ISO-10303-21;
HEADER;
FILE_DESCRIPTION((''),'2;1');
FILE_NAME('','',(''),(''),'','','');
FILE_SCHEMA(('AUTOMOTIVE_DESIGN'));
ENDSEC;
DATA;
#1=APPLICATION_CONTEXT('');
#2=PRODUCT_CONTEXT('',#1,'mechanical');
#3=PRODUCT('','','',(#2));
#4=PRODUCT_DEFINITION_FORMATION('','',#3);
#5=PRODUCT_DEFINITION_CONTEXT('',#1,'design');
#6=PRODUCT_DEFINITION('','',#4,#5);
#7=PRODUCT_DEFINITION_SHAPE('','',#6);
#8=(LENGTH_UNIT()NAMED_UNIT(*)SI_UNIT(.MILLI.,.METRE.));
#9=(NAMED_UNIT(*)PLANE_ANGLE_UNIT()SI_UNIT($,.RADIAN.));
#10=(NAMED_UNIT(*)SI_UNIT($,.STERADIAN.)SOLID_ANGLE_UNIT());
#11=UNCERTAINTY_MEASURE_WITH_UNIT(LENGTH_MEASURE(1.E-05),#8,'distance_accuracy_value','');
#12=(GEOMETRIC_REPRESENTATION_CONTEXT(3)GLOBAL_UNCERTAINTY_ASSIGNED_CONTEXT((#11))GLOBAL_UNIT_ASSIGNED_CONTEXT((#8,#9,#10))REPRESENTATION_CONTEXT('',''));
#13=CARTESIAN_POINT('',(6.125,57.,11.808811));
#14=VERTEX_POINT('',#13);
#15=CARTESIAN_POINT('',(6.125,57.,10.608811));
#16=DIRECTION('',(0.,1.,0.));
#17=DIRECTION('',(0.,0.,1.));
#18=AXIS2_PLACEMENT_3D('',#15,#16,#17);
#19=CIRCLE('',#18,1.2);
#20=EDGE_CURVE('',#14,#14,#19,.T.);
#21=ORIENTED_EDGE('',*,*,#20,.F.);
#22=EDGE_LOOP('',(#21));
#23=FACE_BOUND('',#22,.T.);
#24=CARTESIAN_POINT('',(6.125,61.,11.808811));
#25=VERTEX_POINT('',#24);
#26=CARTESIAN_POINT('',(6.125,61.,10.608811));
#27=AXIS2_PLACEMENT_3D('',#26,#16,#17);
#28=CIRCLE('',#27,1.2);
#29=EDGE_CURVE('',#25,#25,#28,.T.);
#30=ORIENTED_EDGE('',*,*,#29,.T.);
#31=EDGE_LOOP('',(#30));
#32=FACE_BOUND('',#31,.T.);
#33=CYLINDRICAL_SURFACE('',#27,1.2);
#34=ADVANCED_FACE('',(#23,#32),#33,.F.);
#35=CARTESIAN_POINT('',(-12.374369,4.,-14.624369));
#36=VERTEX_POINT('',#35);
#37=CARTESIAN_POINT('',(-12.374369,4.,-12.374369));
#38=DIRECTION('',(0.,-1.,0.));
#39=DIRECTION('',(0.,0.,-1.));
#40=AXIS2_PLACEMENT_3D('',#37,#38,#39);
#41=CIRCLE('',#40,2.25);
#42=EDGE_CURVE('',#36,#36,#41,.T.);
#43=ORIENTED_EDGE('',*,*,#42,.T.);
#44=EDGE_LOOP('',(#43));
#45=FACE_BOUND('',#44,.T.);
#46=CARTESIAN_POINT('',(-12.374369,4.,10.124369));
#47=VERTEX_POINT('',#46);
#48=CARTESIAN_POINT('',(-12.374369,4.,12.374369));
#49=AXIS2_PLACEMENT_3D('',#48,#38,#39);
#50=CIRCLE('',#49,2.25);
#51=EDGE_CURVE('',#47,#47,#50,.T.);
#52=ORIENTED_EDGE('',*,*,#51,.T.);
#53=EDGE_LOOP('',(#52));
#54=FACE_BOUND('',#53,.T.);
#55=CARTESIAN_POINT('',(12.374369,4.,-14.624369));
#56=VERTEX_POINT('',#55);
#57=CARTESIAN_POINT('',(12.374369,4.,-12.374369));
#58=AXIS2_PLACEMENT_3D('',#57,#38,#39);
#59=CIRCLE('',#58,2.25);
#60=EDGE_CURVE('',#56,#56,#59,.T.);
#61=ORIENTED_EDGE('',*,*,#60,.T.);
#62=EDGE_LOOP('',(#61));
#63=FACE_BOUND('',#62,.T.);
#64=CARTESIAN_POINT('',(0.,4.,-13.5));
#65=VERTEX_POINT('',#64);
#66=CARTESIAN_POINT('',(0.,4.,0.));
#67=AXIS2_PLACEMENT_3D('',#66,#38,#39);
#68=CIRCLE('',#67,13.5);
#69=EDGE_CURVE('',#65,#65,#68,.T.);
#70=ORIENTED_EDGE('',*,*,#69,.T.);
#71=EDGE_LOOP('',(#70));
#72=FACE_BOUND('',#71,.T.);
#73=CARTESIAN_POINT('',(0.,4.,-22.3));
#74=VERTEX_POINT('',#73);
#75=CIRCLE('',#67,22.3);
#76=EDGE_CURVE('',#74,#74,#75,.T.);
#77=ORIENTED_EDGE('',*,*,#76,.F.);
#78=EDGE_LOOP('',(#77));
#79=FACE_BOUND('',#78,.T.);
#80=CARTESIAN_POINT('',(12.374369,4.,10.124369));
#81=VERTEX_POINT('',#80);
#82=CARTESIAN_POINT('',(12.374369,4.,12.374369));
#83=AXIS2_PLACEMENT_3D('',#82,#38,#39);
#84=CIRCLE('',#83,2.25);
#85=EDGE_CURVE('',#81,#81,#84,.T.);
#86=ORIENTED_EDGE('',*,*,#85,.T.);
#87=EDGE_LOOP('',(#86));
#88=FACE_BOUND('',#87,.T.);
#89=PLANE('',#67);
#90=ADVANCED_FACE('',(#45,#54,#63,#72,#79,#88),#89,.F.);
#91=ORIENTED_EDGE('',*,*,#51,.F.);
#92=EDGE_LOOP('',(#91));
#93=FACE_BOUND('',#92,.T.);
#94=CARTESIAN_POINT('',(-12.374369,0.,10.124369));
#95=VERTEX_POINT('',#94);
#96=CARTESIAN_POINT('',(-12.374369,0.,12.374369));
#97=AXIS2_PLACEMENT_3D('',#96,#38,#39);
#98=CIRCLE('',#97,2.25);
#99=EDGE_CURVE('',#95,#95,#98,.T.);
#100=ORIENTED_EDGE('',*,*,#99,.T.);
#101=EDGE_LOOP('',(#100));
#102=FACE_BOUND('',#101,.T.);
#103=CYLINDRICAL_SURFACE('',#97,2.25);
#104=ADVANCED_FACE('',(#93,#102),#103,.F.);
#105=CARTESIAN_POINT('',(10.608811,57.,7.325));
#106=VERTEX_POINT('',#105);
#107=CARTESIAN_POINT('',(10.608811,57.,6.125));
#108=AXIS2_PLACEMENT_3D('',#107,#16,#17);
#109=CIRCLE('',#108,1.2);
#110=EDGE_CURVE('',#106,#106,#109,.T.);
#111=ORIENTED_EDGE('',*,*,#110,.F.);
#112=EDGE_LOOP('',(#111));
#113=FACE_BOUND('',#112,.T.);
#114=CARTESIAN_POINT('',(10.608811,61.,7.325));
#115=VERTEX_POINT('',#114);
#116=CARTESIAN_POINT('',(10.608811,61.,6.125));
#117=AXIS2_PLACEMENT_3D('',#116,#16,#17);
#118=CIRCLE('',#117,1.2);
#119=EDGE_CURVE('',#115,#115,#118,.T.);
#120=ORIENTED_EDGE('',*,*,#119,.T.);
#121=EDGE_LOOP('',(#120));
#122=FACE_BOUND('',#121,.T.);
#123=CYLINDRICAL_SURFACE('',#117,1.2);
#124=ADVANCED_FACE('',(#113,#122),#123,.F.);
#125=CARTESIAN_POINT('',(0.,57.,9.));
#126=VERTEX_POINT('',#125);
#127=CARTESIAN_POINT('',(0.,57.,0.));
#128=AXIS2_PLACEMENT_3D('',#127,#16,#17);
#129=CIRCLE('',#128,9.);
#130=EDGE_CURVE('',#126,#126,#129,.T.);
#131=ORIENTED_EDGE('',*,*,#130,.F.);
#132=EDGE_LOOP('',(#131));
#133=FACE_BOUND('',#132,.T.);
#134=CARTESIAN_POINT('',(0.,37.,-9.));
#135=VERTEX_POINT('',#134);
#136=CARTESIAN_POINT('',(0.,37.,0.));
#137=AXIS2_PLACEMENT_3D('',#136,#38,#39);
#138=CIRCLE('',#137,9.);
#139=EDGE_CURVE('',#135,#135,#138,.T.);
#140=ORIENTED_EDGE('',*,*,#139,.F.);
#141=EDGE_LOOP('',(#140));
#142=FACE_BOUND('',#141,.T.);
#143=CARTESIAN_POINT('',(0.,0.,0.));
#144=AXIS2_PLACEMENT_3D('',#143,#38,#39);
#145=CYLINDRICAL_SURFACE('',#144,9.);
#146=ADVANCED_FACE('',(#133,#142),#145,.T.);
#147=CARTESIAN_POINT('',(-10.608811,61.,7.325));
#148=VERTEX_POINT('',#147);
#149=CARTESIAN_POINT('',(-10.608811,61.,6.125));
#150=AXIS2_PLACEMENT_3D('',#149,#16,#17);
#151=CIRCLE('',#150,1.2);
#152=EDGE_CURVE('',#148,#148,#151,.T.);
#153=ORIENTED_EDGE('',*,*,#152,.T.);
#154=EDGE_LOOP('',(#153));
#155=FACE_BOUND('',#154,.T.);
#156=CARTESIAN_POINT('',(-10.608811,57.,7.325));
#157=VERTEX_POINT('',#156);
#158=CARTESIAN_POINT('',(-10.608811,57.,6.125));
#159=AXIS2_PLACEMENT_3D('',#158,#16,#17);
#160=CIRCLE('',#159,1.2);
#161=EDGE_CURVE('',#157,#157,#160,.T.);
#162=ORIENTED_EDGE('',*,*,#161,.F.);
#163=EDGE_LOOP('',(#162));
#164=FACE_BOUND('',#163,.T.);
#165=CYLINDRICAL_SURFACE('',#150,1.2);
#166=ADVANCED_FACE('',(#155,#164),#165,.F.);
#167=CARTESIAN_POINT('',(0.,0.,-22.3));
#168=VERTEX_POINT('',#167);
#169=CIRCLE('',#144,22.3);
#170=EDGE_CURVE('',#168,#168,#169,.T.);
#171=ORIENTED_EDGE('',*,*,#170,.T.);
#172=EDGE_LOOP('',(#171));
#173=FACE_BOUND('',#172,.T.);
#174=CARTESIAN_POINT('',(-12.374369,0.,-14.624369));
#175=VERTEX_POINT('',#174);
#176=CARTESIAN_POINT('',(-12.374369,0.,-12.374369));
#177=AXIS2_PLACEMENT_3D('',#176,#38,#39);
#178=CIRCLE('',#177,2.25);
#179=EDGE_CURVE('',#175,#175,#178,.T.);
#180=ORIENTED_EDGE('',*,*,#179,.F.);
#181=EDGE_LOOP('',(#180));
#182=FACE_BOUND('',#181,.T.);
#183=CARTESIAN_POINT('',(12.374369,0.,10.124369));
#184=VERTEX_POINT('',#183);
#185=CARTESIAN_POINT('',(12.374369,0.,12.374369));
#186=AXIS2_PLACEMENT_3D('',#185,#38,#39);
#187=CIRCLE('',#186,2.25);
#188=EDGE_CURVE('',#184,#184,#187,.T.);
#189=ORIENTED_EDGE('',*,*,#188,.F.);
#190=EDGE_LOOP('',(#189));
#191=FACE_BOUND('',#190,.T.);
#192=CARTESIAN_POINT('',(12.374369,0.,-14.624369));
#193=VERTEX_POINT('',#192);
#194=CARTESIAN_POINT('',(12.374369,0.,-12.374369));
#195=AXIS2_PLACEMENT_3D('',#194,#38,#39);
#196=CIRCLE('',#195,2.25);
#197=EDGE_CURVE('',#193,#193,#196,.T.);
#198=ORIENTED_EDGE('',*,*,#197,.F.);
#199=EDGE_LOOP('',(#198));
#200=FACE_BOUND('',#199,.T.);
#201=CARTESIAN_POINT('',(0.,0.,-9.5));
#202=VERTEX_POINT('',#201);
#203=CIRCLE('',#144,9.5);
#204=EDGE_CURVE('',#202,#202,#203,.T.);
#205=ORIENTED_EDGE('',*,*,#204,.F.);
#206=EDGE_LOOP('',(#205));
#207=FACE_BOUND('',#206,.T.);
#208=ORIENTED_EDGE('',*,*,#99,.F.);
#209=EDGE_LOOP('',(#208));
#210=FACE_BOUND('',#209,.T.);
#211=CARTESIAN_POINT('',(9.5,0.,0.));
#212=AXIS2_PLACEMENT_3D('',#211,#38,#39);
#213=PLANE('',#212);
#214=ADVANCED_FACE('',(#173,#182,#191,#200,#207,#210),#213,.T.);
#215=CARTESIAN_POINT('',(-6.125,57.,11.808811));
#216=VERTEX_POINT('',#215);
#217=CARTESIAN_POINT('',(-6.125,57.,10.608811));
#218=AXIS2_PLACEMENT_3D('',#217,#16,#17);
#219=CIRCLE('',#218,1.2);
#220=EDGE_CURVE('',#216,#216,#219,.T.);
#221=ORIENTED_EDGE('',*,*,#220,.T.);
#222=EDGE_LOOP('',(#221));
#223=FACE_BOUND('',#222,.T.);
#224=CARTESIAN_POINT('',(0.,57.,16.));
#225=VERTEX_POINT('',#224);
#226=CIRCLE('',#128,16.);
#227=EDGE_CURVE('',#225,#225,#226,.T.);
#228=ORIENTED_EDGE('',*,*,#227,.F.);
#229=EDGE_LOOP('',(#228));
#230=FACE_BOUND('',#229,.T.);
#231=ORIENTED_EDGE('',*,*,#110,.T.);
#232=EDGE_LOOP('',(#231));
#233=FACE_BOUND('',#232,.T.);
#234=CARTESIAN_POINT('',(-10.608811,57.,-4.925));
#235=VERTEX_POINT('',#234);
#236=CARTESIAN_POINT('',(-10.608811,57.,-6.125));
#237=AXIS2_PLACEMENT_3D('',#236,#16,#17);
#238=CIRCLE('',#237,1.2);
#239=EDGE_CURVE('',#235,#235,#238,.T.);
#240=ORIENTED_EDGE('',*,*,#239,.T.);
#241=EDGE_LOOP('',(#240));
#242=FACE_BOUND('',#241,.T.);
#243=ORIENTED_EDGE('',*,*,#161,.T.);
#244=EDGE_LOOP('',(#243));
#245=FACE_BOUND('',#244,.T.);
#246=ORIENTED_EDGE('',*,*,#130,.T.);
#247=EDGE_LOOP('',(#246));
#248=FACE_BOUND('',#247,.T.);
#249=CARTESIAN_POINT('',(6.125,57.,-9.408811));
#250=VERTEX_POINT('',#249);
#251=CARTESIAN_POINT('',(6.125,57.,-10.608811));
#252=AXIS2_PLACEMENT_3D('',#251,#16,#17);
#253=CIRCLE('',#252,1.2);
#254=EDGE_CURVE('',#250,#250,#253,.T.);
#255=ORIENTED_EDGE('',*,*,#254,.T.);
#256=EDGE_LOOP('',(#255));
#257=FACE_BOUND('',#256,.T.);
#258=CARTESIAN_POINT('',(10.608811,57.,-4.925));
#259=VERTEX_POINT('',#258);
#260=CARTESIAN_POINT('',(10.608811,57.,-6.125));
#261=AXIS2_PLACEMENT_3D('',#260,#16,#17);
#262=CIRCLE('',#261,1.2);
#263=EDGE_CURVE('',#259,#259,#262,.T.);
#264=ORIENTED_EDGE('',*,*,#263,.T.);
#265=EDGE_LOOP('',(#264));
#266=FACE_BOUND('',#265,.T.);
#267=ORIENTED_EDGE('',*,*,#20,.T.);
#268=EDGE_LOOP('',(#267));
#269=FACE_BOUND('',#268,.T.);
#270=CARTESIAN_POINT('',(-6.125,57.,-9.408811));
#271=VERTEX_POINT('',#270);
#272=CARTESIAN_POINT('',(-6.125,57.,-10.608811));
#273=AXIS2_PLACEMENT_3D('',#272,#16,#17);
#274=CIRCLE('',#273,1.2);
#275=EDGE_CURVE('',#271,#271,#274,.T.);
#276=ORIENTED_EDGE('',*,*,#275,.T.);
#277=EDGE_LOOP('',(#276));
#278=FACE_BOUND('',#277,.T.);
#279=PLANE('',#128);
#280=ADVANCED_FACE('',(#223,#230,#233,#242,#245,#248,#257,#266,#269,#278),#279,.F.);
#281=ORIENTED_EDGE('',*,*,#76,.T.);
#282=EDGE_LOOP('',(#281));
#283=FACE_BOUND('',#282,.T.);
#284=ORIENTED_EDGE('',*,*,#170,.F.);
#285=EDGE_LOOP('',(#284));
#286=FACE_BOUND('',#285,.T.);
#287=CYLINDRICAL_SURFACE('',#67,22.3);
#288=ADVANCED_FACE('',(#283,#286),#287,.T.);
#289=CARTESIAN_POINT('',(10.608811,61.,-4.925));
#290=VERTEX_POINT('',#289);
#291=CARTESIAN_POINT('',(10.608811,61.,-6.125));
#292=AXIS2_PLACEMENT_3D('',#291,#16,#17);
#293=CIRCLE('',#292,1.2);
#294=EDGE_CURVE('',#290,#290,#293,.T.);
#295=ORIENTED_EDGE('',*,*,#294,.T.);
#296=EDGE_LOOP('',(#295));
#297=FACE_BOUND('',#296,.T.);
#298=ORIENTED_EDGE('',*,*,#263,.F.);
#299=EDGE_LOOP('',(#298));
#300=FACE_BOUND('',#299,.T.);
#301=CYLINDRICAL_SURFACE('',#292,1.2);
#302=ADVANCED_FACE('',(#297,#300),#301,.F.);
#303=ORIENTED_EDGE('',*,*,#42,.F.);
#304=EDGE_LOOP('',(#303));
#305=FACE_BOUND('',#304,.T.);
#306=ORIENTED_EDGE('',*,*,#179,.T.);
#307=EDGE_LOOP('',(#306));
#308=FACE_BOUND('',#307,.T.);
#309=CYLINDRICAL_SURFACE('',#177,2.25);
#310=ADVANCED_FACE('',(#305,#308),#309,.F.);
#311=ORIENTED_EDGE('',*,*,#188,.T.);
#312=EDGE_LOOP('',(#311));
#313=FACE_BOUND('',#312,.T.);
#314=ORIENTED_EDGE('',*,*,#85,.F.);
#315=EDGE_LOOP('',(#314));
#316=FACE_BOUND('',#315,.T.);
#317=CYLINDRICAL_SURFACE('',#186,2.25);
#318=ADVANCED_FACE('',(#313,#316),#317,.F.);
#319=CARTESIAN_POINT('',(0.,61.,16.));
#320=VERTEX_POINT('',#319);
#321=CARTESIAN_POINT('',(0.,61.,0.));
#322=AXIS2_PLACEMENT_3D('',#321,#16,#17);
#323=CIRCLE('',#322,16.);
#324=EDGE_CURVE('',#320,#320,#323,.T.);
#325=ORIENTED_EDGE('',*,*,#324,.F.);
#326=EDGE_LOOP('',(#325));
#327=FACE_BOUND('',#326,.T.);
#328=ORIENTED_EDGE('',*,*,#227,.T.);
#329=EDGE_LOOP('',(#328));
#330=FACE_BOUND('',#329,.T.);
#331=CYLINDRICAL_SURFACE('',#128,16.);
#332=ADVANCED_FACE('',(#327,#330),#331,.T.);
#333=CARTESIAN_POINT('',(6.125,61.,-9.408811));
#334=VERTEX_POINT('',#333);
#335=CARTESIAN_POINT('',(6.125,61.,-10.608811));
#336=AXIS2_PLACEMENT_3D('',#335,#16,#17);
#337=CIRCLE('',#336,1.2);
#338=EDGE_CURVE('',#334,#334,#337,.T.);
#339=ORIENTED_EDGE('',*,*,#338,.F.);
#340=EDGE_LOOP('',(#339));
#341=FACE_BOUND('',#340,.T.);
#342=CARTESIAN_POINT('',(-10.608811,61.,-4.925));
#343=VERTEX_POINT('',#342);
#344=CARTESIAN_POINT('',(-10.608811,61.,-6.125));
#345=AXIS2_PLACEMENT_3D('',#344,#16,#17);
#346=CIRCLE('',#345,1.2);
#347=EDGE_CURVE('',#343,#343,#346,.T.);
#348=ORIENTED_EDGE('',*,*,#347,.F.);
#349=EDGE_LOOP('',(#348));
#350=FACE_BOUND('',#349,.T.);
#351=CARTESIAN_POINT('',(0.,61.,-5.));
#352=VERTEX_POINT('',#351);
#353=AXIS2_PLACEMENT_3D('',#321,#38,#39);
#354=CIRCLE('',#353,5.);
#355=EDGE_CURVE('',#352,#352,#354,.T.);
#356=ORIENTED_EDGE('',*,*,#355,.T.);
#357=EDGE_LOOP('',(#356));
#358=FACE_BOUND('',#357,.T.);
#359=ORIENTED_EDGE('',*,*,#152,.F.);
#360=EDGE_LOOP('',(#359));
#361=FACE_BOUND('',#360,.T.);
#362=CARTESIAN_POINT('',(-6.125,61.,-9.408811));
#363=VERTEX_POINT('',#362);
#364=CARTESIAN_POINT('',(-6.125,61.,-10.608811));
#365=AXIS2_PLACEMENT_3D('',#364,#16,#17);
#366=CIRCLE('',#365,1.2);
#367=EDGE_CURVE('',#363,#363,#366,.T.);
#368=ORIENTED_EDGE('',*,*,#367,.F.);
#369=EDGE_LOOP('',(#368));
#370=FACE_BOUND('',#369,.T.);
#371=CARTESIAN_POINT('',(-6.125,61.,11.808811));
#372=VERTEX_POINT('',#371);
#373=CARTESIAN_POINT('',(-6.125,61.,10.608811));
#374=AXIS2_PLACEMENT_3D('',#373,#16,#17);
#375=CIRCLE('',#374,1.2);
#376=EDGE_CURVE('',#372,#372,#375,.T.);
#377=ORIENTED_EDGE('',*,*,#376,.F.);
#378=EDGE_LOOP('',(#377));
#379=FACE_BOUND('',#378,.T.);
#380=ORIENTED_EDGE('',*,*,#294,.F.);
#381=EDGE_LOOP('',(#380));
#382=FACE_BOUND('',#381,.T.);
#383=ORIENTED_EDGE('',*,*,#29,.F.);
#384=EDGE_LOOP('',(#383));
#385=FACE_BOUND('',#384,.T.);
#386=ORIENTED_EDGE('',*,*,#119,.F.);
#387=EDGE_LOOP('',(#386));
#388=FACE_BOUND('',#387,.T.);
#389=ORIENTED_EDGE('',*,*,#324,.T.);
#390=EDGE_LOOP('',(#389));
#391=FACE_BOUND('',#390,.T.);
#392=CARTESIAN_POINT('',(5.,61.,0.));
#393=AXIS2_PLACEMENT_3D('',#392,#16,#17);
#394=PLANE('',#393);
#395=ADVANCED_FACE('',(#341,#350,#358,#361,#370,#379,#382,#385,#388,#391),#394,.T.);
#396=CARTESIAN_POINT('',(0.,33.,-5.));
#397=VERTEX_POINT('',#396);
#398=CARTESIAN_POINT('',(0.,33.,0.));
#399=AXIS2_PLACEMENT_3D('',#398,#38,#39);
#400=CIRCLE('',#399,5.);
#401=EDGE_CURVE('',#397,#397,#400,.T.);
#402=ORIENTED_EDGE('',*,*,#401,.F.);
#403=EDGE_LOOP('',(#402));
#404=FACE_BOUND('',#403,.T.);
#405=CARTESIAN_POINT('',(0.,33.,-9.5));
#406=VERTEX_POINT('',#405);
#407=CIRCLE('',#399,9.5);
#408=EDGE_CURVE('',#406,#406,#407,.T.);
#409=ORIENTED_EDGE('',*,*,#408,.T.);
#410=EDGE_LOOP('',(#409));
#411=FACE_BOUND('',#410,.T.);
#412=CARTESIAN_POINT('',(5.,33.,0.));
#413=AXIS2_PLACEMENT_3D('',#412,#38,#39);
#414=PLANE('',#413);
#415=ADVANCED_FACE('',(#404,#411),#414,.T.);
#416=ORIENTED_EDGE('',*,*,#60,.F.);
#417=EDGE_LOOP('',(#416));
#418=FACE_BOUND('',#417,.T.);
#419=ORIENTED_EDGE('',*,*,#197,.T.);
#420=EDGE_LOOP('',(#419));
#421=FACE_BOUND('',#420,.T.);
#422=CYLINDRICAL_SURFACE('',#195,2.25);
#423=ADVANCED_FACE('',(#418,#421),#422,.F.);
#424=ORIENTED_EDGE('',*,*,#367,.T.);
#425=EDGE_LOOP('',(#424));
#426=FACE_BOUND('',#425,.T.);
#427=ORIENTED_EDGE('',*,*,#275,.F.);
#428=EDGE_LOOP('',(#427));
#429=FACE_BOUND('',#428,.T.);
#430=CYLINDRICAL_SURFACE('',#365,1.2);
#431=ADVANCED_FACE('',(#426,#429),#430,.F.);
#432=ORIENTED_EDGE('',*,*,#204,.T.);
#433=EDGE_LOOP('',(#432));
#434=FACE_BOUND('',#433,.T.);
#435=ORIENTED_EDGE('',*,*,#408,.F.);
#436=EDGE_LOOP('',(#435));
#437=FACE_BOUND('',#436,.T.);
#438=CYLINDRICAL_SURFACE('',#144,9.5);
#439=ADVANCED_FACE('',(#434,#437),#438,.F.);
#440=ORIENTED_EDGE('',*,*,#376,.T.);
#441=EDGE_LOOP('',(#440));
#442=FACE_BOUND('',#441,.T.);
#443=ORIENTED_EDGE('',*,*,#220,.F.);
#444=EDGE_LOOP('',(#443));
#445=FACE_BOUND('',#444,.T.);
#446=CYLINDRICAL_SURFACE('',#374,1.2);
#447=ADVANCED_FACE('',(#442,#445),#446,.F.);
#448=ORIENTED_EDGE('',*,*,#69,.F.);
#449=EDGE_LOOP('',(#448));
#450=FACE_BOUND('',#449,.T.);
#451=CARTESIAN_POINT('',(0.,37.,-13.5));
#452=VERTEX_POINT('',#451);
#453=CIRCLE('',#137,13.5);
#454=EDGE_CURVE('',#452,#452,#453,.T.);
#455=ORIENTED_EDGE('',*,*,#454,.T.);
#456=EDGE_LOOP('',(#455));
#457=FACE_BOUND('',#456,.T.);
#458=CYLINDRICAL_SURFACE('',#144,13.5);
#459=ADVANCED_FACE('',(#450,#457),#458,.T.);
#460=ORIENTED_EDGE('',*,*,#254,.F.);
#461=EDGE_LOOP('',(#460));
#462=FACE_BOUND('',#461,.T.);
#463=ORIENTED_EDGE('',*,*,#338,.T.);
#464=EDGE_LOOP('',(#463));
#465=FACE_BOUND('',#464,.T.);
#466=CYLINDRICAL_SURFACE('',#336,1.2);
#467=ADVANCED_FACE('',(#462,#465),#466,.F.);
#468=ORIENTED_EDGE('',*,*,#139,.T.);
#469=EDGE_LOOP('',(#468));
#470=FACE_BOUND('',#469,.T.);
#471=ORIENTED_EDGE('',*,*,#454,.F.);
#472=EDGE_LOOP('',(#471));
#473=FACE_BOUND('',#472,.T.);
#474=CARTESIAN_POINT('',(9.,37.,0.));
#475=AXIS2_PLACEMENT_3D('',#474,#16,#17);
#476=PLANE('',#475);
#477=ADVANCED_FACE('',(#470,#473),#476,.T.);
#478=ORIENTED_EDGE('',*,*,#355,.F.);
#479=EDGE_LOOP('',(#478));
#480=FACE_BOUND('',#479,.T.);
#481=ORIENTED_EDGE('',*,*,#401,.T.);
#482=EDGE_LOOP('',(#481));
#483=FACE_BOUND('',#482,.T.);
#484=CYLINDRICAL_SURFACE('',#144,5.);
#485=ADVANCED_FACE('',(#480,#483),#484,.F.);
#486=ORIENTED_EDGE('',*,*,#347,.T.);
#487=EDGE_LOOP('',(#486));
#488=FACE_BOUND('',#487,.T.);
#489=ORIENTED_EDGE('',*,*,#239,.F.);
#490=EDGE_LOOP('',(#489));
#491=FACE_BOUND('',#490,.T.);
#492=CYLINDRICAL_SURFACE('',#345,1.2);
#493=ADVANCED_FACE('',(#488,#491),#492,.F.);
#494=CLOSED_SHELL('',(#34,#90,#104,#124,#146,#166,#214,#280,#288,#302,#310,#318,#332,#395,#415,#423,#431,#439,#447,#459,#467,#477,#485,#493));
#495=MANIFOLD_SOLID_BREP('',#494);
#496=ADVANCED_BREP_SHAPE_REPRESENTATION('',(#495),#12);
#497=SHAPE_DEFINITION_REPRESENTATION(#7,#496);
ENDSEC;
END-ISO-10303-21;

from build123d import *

# Parameters (mm, degrees)
SKETCH2_R                = 22.3
SKETCH2_R_2              = 13.5
BOSS_EXTRUDE1_DEPTH      = 4
M4_CLEARANCE_HOLE1_D     = 4.5
SKETCH6_R                = 16
SKETCH6_R_2              = 9
BOSS_EXTRUDE2_DEPTH      = 4
M2_CLEARANCE_HOLE1_D     = 2.4
M2_CLEARANCE_HOLE1_DEPTH = 4


with BuildPart() as part:
    # Sketch1 → Revolve1 (revolve)
    with BuildSketch(Plane.XY, mode=Mode.PRIVATE) as revolve1_sk:
        Polygon((9, 61), (9, 37), (13.5, 37), (13.5, 0), (9.5, 0), (9.5, 33), (5, 33), (5, 61), align=None)
    revolve(revolve1_sk.sketch.rotate(Axis((0, 0, 0), (0, 1, 0)), 90), axis=Axis((0, 0, 0), (0, 1, 0)))  # turned: the seam where the file's is

    # Sketch2 → Boss-Extrude1 (add)
    with BuildSketch(Plane.XZ):
        with Locations(Location((0, 0, 0), (0, 0, 270))):  # turned: the seam where the file's is
            Circle(SKETCH2_R)
        with Locations(Location((0, 0, 0), (0, 0, 270))):  # turned: the seam where the file's is
            Circle(SKETCH2_R_2, mode=Mode.SUBTRACT)
    extrude(amount=-BOSS_EXTRUDE1_DEPTH)

    # M4 Clearance Hole1 (through all)
    with Locations(Plane.XZ):
        with Locations((-12.374368671, 12.374368671), (12.374368671, 12.374368671), (12.374368671, -12.374368671), (-12.374368671, -12.374368671)):
            Hole(M4_CLEARANCE_HOLE1_D / 2)

    # Sketch6 → Boss-Extrude2 (add)
    with BuildSketch(Plane(origin=(0, 61, 0), x_dir=(1, 0, 0), z_dir=(0, 1, 0))):
        with Locations(Location((0, 0, 0), (0, 0, 270))):  # turned: the seam where the file's is
            Circle(SKETCH6_R)
        with Locations(Location((0, 0, 0), (0, 0, 90))):  # turned: the seam where the file's is
            Circle(SKETCH6_R_2, mode=Mode.SUBTRACT)
    extrude(amount=-BOSS_EXTRUDE2_DEPTH)

    # M2 Clearance Hole1
    with Locations(Plane(origin=(0, 61, 0), x_dir=(-1, 0, 0), z_dir=(0, 1, 0))):
        with Locations((10.608811196, -6.125), (-10.608811196, -6.125), (-6.125, 10.608811196), (6.125, 10.608811196), (10.608811196, 6.125), (6.125, -10.608811196), (-6.125, -10.608811196), (-10.608811196, 6.125)):
            Hole(M2_CLEARANCE_HOLE1_D / 2, depth=M2_CLEARANCE_HOLE1_DEPTH)


solid = part.part
